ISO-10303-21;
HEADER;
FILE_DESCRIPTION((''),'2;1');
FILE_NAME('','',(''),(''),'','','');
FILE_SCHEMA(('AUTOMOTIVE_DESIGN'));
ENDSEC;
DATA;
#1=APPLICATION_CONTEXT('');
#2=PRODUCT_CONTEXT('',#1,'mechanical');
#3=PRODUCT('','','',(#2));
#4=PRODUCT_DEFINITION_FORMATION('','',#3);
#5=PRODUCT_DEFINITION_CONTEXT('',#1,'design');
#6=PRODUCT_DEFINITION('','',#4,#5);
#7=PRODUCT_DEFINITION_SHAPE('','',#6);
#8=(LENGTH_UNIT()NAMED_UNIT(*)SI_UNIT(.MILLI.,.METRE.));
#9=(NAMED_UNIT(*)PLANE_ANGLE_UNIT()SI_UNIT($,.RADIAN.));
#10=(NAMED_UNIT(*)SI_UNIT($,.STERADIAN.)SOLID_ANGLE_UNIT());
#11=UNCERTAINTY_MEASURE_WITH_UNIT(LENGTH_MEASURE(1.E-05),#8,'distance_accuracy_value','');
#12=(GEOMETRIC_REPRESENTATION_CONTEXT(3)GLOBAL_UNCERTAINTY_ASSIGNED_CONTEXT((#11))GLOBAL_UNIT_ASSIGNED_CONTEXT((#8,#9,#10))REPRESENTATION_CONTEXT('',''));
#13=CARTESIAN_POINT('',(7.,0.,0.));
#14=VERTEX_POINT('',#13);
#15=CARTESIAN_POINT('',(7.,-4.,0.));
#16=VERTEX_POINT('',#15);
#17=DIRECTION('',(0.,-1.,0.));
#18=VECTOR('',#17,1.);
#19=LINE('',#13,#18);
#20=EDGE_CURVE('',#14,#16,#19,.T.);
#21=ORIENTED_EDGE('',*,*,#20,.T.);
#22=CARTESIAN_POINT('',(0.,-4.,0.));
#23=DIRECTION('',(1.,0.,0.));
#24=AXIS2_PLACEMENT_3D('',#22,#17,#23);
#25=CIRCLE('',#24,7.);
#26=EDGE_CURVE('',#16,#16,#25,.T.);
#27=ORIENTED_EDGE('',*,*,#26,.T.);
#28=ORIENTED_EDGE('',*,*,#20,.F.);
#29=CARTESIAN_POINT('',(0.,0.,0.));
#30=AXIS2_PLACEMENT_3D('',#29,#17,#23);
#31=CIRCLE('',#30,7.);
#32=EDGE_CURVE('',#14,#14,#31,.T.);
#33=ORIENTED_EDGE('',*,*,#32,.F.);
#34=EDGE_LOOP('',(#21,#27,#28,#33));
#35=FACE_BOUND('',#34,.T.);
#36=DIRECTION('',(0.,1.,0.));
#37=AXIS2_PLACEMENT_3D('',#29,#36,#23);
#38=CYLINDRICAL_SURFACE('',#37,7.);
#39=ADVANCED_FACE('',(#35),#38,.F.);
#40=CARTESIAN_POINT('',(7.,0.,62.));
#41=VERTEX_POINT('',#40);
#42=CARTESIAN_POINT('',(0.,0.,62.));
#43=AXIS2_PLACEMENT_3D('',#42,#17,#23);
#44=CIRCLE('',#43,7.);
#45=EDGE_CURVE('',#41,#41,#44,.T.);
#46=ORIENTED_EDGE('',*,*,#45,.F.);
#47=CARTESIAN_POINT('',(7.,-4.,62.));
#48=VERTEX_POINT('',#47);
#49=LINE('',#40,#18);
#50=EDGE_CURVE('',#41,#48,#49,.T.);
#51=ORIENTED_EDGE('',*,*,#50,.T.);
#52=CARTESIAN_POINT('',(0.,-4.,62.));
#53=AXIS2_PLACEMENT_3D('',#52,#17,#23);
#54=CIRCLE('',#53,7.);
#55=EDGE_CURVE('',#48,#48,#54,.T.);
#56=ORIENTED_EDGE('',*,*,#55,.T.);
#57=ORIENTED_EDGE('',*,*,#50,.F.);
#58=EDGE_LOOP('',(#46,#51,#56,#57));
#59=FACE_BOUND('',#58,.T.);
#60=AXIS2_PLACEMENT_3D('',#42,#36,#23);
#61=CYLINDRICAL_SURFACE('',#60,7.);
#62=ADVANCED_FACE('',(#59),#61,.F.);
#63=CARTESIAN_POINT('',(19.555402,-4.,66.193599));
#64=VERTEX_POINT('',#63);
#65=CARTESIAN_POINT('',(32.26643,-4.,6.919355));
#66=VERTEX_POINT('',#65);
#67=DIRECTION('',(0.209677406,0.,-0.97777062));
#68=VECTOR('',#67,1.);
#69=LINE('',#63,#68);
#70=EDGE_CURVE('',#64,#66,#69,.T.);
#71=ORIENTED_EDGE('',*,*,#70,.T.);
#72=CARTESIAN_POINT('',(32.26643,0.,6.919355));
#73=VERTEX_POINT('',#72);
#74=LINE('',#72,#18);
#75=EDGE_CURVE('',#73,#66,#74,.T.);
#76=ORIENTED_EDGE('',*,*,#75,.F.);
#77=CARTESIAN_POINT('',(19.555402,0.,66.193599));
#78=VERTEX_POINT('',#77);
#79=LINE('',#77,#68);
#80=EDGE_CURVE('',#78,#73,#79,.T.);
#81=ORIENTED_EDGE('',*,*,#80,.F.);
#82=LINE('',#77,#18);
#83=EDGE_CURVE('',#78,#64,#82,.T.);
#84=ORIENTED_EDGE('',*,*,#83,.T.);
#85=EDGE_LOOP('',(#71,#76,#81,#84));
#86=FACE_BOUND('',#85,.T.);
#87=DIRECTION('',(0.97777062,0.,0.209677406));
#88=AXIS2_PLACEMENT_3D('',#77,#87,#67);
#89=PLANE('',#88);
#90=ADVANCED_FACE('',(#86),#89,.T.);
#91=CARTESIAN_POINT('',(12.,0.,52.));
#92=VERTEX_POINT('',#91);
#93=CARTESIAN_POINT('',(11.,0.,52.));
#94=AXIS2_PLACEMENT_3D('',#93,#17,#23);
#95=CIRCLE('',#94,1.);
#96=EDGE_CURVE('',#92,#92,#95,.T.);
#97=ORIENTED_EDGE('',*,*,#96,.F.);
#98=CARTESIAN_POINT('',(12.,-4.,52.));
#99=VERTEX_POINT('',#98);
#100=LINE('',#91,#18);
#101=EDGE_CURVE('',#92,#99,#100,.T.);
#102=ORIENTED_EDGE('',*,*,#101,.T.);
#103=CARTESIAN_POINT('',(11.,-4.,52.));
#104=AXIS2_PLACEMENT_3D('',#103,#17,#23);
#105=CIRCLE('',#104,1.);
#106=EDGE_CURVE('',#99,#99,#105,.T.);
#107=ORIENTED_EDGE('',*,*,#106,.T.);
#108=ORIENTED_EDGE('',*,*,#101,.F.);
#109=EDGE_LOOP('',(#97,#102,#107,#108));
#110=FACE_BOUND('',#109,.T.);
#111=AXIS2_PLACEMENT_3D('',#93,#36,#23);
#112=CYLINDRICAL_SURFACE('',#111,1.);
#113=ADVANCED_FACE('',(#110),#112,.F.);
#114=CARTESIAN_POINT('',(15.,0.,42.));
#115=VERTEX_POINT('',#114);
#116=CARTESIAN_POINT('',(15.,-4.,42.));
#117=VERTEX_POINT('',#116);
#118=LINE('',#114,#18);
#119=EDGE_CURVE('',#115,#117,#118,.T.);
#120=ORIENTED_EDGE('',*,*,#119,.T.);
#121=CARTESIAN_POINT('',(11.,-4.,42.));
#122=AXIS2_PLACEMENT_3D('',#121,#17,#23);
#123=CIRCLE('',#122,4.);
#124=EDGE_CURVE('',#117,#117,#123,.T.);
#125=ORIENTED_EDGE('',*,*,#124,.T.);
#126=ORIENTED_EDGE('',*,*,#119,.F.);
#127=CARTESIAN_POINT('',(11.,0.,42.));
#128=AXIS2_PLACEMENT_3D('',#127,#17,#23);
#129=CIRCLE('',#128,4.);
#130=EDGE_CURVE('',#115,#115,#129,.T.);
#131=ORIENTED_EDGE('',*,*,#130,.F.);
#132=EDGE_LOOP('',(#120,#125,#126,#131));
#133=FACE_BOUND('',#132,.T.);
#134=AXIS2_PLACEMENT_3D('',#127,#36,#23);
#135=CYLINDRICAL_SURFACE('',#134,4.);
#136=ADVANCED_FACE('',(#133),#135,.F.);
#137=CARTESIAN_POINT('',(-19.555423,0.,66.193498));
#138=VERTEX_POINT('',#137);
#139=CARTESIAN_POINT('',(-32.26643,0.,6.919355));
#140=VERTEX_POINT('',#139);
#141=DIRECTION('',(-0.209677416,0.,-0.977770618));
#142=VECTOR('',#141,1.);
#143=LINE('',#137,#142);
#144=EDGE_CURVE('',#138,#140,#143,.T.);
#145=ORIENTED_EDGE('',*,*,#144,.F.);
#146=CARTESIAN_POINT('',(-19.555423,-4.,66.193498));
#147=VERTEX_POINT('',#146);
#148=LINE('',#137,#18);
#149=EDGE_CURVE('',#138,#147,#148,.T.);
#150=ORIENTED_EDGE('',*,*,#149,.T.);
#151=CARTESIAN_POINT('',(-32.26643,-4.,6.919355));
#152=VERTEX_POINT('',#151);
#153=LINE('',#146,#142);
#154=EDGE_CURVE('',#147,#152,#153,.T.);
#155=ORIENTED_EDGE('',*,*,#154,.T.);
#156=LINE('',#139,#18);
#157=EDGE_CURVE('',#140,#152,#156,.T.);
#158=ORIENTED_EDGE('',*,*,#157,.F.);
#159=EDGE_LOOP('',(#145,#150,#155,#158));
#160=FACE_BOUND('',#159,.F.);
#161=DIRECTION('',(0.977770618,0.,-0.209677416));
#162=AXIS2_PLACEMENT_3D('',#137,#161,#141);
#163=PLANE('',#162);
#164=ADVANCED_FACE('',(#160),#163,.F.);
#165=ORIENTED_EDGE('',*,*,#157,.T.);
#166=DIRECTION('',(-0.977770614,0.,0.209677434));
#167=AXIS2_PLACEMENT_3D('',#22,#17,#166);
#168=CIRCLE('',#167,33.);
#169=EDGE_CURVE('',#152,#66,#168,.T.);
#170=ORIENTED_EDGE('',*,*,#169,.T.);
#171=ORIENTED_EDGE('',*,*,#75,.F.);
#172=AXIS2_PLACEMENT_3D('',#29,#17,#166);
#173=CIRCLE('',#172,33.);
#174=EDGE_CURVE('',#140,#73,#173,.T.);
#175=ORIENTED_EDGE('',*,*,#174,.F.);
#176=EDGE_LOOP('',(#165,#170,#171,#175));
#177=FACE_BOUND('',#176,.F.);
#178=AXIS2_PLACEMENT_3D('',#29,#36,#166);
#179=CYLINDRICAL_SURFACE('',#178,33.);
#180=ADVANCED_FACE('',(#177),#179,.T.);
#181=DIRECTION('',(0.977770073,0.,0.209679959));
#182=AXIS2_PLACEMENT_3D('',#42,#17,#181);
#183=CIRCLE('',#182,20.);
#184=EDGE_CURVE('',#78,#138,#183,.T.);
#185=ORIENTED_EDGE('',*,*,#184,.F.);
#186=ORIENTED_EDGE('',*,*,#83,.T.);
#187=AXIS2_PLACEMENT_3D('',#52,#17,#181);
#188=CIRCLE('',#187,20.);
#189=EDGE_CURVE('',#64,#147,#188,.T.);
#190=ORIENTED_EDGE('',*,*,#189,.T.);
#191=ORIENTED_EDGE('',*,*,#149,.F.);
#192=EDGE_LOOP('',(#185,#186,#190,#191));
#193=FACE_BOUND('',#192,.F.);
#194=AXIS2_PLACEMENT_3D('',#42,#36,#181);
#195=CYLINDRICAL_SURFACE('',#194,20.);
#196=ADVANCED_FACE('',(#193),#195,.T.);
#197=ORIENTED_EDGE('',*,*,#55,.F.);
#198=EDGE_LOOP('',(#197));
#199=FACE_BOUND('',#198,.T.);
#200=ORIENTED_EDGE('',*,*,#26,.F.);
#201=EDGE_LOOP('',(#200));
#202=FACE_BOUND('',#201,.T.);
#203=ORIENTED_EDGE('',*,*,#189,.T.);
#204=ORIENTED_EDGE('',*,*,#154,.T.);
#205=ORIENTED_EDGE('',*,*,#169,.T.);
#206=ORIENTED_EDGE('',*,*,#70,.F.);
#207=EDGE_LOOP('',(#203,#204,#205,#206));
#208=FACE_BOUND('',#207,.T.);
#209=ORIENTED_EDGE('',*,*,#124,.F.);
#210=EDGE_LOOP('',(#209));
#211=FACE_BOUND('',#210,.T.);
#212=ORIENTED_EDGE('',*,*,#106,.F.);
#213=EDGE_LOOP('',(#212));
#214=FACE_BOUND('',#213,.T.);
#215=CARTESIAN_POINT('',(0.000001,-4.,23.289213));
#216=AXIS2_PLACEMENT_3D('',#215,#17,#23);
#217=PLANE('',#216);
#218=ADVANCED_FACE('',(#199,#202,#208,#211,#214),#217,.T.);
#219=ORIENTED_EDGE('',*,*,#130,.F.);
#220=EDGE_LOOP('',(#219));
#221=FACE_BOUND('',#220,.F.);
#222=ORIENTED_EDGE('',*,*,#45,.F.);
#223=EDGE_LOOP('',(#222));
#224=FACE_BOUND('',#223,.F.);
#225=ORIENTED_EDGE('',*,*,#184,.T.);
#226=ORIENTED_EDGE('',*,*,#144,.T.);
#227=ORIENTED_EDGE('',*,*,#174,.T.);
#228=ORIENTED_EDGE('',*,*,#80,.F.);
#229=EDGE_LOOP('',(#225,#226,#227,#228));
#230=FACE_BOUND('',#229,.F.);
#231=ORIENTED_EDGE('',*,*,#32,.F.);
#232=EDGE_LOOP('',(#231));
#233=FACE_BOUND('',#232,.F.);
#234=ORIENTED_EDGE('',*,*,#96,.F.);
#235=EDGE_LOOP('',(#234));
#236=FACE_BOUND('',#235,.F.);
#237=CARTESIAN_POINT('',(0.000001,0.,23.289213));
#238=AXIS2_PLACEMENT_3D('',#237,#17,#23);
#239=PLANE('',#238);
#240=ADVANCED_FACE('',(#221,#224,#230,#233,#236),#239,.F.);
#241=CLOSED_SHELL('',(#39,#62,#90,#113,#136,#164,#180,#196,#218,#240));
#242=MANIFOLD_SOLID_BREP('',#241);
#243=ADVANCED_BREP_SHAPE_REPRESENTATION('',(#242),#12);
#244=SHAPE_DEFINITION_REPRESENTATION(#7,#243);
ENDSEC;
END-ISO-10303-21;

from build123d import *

# Parameters (mm, degrees)
SKETCH_R   = 7
SKETCH_R_2 = 4
SKETCH_R_3 = 1
PAD_DEPTH  = 4


with BuildPart() as part:
    # Sketch → Pad (new body)
    with BuildSketch(Plane.XZ):
        with BuildLine():
            Line((-19.555423, 66.193498), (-32.26643, 6.919355))
            ThreePointArc((-32.26643, 6.919355), (0, -33), (32.26643, 6.919355))
            Line((19.555402, 66.193599), (32.26643, 6.919355))
            ThreePointArc((19.555402, 66.193599), (-5.1e-05, 82), (-19.555423, 66.193498))
        make_face()
        with Locations((0, 62)):
            Circle(SKETCH_R, mode=Mode.SUBTRACT)
        Circle(SKETCH_R, mode=Mode.SUBTRACT)
        with Locations((11, 42)):
            Circle(SKETCH_R_2, mode=Mode.SUBTRACT)
        with Locations((11, 52)):
            Circle(SKETCH_R_3, mode=Mode.SUBTRACT)
    extrude(amount=PAD_DEPTH)


solid = part.part
